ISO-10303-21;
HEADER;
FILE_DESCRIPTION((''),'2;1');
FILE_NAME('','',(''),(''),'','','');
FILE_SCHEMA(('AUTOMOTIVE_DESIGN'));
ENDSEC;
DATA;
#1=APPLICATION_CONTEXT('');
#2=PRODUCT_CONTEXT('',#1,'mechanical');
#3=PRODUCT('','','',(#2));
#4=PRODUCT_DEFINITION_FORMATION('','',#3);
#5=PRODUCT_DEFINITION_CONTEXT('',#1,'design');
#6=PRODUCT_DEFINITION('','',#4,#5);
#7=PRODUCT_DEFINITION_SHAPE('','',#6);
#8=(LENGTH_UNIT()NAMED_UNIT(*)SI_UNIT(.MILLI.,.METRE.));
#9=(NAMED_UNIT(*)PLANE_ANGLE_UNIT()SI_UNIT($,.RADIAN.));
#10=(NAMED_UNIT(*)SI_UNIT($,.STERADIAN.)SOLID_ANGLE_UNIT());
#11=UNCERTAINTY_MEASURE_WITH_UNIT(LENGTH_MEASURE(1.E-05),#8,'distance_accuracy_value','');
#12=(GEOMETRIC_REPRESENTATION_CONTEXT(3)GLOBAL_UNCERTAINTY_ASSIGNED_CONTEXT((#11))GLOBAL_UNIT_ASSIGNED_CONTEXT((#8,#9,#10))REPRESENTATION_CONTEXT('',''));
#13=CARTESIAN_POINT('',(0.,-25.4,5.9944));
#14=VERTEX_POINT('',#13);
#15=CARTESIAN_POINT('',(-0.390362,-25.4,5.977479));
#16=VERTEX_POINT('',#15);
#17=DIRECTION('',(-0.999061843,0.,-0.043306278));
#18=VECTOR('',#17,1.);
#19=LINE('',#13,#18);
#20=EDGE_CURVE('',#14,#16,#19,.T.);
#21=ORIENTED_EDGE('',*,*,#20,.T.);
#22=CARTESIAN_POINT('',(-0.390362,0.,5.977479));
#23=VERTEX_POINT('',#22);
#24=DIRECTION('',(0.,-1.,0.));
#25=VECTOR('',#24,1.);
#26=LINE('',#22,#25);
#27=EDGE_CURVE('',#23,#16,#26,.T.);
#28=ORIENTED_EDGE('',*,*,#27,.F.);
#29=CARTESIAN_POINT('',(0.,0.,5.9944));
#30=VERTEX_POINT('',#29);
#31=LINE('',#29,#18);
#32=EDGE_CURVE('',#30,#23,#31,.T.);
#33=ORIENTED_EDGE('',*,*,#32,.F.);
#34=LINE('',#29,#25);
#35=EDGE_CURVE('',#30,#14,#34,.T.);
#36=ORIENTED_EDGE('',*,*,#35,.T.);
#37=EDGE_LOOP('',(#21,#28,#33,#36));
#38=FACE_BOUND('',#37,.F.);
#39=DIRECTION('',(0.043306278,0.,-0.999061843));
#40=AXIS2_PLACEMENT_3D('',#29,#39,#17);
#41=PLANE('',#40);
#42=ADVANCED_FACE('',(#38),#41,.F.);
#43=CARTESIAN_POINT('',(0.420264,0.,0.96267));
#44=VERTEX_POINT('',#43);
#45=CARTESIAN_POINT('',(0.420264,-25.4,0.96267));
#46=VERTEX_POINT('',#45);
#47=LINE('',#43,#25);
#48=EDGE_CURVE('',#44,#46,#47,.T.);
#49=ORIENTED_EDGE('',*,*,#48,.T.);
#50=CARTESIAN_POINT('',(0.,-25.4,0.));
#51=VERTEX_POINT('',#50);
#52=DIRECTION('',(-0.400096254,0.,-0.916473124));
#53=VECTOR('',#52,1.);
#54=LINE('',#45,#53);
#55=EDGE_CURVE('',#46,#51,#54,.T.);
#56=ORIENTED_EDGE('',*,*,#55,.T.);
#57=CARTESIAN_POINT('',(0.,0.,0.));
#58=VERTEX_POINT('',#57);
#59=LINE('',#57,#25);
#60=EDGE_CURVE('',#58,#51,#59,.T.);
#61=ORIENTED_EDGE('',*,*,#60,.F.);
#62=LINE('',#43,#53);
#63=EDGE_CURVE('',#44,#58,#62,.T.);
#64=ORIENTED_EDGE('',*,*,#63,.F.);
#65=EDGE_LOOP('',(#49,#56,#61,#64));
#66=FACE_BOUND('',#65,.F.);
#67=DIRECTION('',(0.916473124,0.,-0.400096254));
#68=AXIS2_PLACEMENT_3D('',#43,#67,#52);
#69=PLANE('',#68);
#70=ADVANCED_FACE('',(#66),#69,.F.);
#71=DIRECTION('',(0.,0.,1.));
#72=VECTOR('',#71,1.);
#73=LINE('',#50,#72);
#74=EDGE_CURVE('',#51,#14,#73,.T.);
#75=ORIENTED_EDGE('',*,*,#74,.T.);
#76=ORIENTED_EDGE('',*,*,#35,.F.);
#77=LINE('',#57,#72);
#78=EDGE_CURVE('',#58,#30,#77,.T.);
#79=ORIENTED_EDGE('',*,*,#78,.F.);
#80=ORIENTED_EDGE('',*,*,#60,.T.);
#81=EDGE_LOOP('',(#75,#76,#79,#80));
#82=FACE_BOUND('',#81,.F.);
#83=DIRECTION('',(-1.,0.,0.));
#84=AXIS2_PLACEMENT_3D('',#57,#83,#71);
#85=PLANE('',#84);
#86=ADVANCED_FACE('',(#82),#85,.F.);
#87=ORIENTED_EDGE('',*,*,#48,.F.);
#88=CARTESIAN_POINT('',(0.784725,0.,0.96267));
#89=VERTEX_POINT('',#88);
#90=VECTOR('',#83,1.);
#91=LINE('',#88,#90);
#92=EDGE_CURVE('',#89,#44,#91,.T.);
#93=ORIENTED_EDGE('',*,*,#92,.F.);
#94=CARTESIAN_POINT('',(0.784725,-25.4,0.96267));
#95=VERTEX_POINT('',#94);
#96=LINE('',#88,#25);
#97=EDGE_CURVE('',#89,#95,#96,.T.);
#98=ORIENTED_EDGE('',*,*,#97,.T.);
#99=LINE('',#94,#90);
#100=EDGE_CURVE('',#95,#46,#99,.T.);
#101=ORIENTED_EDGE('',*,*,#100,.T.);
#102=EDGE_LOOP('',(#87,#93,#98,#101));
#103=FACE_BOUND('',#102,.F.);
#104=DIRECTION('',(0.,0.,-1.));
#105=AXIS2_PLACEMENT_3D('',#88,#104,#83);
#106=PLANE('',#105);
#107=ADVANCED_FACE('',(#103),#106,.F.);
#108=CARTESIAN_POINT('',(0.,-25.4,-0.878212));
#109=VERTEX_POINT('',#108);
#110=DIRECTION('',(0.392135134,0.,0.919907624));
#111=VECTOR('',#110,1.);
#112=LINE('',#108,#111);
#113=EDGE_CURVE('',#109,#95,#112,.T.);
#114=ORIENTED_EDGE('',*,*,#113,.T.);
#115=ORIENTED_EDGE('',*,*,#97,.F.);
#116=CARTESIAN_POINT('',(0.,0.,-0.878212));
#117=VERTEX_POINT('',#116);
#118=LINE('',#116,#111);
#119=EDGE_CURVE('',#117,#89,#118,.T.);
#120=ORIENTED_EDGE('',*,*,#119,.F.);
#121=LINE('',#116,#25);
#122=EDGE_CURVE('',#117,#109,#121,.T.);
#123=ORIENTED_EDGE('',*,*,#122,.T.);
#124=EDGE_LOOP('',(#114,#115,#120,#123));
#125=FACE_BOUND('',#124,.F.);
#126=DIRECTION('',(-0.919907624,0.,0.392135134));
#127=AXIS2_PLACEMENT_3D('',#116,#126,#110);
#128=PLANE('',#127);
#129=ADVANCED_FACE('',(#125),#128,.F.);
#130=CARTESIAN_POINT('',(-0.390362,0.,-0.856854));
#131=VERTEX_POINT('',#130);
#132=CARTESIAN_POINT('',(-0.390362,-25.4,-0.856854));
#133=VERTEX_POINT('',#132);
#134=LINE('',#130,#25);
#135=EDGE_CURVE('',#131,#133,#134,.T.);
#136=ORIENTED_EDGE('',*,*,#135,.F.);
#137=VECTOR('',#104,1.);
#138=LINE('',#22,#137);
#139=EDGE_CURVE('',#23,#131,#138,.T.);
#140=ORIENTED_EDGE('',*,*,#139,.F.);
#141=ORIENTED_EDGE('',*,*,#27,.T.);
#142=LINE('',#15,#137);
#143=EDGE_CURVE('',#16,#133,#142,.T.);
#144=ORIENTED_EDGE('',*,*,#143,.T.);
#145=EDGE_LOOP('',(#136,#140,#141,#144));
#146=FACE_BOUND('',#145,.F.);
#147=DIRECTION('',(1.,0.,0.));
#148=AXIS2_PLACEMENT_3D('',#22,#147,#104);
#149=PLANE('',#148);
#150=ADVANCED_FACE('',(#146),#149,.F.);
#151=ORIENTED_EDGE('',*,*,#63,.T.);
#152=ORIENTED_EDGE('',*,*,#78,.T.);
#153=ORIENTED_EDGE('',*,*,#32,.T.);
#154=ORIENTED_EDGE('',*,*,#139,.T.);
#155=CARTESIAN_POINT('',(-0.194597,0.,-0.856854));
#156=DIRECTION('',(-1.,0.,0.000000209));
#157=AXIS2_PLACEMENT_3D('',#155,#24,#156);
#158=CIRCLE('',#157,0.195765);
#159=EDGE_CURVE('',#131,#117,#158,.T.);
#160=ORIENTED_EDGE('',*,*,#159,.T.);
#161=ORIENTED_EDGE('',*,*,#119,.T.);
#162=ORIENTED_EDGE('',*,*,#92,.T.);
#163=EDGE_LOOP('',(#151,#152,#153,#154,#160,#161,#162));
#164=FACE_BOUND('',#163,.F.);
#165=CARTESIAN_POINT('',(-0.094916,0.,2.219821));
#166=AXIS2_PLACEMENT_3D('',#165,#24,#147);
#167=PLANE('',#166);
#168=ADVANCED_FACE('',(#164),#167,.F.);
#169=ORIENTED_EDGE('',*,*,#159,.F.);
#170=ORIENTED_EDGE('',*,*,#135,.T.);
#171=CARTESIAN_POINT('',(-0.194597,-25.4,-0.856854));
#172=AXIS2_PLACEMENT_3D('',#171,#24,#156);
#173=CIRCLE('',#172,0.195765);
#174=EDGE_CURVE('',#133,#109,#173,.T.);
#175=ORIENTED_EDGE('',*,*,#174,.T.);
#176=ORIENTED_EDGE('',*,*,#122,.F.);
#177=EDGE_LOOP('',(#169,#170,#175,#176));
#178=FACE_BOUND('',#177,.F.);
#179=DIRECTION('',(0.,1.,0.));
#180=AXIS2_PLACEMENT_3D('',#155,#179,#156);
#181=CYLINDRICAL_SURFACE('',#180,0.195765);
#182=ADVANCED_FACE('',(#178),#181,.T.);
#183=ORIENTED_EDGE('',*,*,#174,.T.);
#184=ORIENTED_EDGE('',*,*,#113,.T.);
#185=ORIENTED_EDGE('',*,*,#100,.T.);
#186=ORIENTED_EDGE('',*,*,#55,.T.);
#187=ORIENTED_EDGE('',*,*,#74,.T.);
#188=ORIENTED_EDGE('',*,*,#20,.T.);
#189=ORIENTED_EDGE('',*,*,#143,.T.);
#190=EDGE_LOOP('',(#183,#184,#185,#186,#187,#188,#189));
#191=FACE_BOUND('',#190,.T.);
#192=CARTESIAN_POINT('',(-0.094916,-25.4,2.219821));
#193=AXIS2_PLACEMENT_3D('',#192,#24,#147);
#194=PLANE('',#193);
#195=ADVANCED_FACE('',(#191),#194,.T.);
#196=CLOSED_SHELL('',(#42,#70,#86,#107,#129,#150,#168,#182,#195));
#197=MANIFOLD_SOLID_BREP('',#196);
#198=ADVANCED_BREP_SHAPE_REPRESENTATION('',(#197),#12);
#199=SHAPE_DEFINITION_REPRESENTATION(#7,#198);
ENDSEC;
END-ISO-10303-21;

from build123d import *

# Parameters (mm, degrees)
F1_DEPTH = 25.4


with BuildPart() as f1:
    # F0 (on Front) → F1 (new body)
    with BuildSketch(Plane.XZ):
        with BuildLine():
            Line((0, 0), (0, 5.9944))
            Line((0, 5.9944), (-0.390362, 5.977479))
            Line((-0.390362, 5.977479), (-0.390362, -0.856854))
            ThreePointArc((-0.390362, -0.856854), (-0.205291, -1.052327), (0, -0.878212))
            Line((0, -0.878212), (0.784725, 0.96267))
            Line((0.784725, 0.96267), (0.420264, 0.96267))
            Line((0.420264, 0.96267), (0, 0))
        make_face()
    extrude(amount=F1_DEPTH)


solid = f1.part
